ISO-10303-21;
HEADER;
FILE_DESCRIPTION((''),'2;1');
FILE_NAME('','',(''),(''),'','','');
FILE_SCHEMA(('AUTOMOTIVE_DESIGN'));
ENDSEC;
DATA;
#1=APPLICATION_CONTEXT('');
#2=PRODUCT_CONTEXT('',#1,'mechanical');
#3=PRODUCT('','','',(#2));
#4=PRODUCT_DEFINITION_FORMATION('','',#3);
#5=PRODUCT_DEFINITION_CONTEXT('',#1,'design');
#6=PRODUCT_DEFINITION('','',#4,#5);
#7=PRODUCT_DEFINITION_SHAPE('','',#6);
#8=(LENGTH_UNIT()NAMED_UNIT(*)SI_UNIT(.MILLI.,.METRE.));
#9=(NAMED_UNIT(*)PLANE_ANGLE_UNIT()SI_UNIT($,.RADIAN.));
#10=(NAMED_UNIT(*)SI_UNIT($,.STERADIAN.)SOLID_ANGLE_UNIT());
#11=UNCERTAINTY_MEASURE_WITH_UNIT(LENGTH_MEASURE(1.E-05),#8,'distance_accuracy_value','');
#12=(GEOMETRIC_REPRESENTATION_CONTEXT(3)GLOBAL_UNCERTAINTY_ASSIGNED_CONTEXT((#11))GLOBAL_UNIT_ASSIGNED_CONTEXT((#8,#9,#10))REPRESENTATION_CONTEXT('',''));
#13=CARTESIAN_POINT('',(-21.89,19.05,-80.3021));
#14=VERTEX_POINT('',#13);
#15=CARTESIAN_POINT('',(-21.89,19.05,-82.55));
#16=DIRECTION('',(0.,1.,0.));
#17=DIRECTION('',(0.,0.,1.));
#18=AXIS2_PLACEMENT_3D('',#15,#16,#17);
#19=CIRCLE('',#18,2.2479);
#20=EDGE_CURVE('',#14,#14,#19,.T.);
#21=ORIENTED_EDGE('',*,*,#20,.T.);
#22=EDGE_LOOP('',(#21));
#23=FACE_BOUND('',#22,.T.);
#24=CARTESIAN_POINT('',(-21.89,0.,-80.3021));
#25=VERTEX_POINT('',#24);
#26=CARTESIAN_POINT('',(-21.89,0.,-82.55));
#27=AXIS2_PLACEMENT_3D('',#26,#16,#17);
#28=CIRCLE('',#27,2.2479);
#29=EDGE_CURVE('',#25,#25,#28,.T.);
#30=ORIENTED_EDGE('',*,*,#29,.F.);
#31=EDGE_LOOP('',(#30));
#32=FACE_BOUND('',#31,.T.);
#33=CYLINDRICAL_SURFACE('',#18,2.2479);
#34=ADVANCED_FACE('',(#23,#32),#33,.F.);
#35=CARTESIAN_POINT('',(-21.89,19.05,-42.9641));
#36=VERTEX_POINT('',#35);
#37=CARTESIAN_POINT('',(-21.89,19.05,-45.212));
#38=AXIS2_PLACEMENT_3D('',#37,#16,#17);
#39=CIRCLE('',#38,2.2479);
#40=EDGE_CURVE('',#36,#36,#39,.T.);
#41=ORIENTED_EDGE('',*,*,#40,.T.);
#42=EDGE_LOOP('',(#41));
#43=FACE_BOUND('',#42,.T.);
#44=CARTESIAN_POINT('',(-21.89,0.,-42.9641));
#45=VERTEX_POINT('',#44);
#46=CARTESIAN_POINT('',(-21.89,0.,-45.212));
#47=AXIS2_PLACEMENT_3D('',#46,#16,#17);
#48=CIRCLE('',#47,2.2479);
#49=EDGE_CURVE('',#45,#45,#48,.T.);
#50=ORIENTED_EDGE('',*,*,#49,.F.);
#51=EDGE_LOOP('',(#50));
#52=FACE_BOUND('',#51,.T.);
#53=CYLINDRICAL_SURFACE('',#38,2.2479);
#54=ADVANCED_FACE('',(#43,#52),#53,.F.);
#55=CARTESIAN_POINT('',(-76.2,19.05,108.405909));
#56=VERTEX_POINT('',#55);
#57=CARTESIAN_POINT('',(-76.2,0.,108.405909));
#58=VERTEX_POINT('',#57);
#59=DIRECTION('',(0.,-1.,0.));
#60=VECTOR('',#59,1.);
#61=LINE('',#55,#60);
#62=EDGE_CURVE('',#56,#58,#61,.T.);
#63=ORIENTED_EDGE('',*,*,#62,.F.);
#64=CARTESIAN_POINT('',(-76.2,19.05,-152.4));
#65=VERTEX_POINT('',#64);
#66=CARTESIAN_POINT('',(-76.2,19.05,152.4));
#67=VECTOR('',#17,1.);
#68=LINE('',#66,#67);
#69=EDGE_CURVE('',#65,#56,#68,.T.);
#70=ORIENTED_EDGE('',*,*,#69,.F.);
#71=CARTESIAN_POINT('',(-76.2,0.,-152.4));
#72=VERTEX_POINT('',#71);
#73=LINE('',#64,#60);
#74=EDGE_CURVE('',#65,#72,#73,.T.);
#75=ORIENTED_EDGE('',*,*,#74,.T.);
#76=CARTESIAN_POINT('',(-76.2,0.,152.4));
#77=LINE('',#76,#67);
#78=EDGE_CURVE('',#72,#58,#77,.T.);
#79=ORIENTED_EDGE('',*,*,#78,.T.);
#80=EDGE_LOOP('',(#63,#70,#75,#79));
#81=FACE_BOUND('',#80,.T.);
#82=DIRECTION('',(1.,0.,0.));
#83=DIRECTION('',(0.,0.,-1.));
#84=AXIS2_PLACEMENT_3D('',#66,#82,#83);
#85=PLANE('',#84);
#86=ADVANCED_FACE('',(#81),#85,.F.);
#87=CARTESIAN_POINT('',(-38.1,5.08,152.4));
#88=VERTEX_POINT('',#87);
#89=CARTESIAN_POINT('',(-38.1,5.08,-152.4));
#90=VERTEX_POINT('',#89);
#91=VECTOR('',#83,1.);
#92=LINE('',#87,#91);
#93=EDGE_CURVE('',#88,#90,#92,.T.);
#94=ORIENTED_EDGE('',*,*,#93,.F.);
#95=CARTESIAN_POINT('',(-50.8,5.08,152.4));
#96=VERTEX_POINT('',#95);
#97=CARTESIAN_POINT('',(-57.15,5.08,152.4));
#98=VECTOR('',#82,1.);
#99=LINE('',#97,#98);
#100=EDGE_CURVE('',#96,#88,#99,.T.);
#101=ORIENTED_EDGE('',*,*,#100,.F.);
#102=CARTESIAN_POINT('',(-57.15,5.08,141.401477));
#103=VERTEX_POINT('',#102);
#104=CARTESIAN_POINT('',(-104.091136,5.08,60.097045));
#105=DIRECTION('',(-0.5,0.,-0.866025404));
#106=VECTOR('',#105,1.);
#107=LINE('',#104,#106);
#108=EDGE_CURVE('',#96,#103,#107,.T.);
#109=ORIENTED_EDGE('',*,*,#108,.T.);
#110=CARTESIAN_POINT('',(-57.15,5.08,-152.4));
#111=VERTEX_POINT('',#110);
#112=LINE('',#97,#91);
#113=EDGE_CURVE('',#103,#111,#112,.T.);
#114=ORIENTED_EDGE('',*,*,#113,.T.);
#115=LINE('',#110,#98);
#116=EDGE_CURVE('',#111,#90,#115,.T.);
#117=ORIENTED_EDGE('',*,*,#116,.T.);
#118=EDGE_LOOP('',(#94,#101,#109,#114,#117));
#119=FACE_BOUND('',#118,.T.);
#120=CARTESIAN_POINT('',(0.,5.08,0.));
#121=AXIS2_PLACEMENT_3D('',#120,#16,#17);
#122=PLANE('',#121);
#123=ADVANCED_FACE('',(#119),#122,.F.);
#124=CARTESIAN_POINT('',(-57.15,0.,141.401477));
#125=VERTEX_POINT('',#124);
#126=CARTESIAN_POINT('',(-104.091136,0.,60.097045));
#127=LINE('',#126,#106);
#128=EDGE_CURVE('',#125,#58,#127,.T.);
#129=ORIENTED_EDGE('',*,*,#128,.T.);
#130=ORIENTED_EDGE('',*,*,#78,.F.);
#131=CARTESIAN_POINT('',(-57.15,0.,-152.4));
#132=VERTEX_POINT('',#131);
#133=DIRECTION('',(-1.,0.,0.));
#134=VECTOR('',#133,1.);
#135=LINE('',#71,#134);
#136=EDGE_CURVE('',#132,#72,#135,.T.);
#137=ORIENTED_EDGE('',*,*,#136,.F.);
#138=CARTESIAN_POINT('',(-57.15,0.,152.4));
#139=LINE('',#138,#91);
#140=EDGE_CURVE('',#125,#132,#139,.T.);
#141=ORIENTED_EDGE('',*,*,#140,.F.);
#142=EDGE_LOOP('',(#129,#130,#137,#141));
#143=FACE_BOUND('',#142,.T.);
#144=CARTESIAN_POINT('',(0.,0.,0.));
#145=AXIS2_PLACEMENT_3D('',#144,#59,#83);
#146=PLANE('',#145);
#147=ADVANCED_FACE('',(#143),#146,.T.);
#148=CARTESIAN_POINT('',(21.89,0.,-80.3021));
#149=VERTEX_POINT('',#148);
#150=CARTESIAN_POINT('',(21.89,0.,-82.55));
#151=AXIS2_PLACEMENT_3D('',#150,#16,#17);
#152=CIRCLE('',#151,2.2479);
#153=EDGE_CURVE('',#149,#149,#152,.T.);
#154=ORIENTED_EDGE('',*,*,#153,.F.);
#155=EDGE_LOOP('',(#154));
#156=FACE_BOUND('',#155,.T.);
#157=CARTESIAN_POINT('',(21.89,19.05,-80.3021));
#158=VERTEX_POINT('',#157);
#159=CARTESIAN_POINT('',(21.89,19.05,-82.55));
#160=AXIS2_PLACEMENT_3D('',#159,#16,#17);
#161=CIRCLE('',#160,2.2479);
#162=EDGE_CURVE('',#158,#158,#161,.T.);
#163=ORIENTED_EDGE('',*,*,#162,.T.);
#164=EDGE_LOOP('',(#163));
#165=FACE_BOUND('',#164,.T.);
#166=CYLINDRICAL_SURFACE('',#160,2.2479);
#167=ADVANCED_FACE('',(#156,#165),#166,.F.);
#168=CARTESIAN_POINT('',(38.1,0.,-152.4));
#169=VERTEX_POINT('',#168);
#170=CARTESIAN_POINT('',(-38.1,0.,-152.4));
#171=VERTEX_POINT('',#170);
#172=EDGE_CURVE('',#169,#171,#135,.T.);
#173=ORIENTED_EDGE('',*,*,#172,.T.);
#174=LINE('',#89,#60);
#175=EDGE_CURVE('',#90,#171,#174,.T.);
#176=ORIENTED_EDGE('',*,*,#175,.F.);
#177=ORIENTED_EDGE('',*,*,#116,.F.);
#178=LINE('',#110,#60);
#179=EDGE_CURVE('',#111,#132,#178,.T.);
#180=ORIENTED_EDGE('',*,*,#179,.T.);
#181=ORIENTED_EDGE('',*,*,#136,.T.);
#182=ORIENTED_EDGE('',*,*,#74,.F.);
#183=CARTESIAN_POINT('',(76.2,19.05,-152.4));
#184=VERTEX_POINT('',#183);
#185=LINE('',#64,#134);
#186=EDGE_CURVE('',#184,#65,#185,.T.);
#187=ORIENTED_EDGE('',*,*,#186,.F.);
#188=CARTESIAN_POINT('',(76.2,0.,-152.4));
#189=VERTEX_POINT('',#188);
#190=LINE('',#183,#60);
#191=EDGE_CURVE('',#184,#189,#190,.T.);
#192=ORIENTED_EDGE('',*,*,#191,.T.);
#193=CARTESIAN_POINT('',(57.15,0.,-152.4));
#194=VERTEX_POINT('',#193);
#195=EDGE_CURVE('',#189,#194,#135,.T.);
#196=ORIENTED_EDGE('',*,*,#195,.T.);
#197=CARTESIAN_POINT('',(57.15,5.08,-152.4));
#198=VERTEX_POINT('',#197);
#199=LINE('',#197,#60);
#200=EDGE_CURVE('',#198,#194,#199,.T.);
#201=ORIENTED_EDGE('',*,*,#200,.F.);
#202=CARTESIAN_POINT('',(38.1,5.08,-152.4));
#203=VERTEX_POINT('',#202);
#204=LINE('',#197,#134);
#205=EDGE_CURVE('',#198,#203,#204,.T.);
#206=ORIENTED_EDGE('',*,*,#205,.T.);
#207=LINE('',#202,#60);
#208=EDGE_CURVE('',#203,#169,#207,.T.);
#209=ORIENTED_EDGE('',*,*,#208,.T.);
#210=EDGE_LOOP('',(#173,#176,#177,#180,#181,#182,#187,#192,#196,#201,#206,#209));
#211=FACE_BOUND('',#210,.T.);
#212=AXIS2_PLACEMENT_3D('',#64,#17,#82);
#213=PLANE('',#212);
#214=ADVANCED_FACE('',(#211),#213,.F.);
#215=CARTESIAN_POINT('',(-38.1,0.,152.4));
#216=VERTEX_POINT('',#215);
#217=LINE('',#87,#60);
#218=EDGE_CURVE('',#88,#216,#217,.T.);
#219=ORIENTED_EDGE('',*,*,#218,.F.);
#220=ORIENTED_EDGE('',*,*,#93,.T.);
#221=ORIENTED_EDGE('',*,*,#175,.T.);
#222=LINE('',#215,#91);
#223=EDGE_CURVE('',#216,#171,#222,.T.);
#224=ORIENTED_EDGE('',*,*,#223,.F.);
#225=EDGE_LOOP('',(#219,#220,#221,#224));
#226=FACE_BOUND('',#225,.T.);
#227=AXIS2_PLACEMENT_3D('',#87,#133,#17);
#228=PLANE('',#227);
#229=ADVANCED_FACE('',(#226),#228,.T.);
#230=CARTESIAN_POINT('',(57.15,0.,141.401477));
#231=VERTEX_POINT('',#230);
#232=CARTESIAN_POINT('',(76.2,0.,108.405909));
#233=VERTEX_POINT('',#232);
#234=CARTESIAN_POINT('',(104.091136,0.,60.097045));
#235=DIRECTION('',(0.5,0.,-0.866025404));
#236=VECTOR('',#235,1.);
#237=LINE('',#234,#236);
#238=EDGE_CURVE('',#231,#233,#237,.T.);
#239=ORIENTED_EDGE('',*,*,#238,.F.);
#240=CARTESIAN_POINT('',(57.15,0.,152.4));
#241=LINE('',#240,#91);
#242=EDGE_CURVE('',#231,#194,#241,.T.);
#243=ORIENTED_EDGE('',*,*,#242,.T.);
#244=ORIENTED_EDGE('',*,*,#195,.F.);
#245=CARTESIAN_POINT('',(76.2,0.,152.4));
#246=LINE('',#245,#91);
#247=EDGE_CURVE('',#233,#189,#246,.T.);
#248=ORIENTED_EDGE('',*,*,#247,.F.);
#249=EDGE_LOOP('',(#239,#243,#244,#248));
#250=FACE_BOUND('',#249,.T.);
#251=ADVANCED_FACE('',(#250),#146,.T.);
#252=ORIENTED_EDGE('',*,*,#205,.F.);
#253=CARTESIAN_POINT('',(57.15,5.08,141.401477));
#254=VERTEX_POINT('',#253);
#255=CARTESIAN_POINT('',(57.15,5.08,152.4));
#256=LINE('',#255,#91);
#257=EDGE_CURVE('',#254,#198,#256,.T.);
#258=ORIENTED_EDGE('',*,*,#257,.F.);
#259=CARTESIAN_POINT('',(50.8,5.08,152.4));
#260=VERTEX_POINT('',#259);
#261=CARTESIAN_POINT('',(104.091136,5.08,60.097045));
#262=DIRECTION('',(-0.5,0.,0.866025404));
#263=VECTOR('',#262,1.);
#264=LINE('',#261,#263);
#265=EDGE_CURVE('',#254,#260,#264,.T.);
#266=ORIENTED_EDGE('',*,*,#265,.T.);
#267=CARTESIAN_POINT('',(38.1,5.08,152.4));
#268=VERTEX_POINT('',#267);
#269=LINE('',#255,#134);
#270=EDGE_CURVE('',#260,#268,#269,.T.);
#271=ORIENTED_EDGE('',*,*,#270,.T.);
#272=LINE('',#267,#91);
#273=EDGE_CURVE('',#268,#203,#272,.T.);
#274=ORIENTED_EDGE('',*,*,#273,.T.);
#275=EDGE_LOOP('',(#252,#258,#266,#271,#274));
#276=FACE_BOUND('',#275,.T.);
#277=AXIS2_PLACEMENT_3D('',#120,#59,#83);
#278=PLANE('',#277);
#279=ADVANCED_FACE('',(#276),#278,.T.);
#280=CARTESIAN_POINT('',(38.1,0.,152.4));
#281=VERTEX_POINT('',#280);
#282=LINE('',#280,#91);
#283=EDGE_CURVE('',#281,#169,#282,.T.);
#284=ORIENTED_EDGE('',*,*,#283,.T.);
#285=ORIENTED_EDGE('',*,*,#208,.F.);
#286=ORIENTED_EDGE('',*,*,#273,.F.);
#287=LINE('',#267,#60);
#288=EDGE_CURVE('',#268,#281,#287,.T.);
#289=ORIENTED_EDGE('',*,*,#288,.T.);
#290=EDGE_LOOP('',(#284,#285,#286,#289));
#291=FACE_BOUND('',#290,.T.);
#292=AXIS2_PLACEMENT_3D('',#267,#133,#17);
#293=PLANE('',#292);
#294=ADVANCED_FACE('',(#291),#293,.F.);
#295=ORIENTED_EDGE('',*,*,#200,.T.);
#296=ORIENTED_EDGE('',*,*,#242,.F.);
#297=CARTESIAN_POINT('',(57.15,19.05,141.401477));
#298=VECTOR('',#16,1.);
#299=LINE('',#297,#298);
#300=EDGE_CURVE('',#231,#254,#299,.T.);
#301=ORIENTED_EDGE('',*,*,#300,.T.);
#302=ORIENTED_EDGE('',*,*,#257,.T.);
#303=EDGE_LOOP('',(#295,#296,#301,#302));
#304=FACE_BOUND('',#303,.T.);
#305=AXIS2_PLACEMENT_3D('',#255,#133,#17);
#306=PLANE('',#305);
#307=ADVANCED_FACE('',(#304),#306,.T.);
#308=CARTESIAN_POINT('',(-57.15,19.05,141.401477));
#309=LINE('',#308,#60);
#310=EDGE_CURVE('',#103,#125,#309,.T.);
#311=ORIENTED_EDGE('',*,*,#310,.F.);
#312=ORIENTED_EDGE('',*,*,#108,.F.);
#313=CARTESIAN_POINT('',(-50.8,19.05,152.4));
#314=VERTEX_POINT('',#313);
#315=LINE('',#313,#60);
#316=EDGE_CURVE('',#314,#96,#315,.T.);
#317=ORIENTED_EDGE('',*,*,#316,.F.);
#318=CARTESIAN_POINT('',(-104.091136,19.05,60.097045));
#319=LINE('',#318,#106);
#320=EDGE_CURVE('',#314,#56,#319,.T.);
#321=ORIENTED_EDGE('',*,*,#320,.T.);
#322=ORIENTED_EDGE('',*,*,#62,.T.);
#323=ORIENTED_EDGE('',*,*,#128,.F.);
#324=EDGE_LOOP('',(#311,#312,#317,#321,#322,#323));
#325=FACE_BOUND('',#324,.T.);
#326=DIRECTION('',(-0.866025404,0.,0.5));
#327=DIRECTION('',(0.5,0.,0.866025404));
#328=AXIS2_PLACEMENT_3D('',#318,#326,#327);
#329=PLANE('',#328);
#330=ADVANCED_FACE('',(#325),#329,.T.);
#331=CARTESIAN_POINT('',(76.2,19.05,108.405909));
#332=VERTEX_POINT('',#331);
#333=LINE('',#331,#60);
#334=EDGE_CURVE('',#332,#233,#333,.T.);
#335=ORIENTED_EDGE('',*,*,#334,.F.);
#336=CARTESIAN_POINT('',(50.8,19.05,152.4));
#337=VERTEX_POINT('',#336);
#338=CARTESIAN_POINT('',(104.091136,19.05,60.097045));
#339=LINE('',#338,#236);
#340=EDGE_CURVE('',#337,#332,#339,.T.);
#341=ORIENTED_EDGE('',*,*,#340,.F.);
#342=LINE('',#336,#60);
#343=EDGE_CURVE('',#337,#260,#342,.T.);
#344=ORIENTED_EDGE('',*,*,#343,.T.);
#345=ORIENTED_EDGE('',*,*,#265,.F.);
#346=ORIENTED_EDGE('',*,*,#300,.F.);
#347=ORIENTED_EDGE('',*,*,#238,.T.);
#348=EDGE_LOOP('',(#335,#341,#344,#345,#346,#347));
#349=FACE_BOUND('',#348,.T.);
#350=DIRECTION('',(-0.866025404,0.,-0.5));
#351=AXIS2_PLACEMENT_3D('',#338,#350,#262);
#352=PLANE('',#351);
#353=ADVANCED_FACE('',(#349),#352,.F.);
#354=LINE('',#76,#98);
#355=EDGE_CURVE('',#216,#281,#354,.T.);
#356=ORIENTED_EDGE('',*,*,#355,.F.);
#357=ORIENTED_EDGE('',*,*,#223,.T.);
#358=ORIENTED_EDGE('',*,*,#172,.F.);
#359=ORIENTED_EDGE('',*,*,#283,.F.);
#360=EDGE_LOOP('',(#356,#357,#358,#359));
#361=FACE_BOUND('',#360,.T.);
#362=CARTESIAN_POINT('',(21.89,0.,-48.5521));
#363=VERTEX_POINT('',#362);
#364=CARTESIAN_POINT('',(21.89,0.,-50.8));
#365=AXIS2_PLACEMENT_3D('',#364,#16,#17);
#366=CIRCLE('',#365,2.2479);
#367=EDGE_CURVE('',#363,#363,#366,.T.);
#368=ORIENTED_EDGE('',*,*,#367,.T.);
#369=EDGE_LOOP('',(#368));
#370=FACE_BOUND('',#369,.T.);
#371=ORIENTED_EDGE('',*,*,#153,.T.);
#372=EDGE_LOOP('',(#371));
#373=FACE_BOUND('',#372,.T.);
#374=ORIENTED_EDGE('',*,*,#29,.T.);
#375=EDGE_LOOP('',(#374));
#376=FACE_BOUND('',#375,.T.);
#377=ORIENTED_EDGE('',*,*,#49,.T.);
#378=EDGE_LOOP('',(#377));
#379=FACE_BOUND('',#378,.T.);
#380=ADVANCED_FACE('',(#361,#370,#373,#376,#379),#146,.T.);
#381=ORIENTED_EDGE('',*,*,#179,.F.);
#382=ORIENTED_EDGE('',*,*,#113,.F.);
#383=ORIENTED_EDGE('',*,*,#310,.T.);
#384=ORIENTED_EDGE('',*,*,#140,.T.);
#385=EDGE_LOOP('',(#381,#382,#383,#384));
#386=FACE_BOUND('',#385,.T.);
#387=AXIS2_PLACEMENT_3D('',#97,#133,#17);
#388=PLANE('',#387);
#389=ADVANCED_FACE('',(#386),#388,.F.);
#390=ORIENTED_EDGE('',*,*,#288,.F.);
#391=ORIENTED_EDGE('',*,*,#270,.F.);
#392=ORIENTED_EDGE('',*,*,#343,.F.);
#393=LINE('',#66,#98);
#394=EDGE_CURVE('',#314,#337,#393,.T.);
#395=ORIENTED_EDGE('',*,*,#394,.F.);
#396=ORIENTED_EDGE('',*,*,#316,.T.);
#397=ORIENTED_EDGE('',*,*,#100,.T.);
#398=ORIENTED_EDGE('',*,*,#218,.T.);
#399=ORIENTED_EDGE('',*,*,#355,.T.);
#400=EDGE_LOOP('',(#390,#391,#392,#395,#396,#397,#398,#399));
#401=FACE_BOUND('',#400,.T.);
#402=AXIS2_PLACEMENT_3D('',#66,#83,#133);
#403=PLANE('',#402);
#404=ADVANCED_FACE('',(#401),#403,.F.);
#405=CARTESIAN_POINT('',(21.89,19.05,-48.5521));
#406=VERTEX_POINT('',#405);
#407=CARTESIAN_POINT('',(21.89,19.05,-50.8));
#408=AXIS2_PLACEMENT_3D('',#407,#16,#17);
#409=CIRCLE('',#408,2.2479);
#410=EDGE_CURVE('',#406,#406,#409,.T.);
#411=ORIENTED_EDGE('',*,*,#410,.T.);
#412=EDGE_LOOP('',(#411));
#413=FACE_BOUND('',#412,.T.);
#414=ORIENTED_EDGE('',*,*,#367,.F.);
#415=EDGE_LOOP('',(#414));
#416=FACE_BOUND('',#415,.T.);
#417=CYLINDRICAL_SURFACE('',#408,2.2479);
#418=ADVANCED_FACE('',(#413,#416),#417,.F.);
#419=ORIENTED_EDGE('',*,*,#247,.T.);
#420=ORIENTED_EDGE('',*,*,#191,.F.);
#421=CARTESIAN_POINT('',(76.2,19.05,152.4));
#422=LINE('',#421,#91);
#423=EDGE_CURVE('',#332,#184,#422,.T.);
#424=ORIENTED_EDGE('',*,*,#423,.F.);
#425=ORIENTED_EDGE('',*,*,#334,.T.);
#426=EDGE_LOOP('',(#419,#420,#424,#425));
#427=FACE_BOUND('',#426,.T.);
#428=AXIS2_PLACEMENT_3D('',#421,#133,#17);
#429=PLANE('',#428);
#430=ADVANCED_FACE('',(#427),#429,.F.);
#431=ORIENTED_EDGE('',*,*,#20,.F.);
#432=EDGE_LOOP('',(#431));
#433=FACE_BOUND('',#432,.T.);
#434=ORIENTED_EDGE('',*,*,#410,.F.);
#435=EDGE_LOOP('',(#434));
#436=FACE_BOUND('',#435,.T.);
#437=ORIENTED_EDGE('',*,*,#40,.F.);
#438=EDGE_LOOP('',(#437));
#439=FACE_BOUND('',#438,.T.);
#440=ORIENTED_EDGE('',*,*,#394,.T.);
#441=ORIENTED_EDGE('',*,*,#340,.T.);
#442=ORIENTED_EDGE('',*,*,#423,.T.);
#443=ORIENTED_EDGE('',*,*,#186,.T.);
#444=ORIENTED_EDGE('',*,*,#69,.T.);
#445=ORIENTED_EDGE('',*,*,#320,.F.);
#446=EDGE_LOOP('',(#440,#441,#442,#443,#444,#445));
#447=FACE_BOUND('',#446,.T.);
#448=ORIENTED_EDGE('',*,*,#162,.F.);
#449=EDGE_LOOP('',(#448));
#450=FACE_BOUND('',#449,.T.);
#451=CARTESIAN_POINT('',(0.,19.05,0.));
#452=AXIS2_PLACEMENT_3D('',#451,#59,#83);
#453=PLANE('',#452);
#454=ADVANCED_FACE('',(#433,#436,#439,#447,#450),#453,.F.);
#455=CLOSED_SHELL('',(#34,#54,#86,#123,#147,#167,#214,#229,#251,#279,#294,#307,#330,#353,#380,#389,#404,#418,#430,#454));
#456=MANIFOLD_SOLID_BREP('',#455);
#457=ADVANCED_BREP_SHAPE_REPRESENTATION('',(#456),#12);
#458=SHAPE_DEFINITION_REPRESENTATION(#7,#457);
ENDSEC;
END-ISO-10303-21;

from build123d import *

# Parameters (mm, degrees)
SKETCH1_W             = 152.4
SKETCH1_H             = 304.8
BOSS_EXTRUDE1_DEPTH   = 19.05
F_8_CLEARANCE_HOLE1_D = 4.4958
CUT_EXTRUDE1_DEPTH    = 20.05
SKETCH5_W             = 19.05
SKETCH5_H             = 304.8
CUT_EXTRUDE2_DEPTH    = 5.08


with BuildPart() as part:
    # Sketch1 → Boss-Extrude1 (new body)
    with BuildSketch(Plane(origin=(0, 0, 0), x_dir=(1, 0, 0), z_dir=(0, 1, 0))):
        Rectangle(SKETCH1_W, SKETCH1_H)
    extrude(amount=BOSS_EXTRUDE1_DEPTH)

    # #8 Clearance Hole1 (through all)
    with Locations(Plane(origin=(0, 19.05, 0), x_dir=(1, 0, 0), z_dir=(0, 1, 0))):
        with Locations((-21.89, 82.55), (21.89, 82.55), (-21.89, 45.212), (21.89, 50.8)):
            Hole(F_8_CLEARANCE_HOLE1_D / 2)

    # Sketch4 → Cut-Extrude1 (cut, through all)
    with BuildSketch(Plane.XZ):
        Polygon((76.2, 152.4), (50.8, 152.4), (76.2, 108.405909488), align=None)
        Polygon((-76.2, 108.405909488), (-50.8, 152.4), (-76.2, 152.4), align=None)
    extrude(amount=-CUT_EXTRUDE1_DEPTH, mode=Mode.SUBTRACT)

    # Sketch5 → Cut-Extrude2 (cut)
    with BuildSketch(Plane.XZ):
        with Locations((47.625, 0)):
            Rectangle(SKETCH5_W, SKETCH5_H)
        with Locations((-47.625, 0)):
            Rectangle(SKETCH5_W, SKETCH5_H)
    extrude(amount=-CUT_EXTRUDE2_DEPTH, mode=Mode.SUBTRACT)


solid = part.part
